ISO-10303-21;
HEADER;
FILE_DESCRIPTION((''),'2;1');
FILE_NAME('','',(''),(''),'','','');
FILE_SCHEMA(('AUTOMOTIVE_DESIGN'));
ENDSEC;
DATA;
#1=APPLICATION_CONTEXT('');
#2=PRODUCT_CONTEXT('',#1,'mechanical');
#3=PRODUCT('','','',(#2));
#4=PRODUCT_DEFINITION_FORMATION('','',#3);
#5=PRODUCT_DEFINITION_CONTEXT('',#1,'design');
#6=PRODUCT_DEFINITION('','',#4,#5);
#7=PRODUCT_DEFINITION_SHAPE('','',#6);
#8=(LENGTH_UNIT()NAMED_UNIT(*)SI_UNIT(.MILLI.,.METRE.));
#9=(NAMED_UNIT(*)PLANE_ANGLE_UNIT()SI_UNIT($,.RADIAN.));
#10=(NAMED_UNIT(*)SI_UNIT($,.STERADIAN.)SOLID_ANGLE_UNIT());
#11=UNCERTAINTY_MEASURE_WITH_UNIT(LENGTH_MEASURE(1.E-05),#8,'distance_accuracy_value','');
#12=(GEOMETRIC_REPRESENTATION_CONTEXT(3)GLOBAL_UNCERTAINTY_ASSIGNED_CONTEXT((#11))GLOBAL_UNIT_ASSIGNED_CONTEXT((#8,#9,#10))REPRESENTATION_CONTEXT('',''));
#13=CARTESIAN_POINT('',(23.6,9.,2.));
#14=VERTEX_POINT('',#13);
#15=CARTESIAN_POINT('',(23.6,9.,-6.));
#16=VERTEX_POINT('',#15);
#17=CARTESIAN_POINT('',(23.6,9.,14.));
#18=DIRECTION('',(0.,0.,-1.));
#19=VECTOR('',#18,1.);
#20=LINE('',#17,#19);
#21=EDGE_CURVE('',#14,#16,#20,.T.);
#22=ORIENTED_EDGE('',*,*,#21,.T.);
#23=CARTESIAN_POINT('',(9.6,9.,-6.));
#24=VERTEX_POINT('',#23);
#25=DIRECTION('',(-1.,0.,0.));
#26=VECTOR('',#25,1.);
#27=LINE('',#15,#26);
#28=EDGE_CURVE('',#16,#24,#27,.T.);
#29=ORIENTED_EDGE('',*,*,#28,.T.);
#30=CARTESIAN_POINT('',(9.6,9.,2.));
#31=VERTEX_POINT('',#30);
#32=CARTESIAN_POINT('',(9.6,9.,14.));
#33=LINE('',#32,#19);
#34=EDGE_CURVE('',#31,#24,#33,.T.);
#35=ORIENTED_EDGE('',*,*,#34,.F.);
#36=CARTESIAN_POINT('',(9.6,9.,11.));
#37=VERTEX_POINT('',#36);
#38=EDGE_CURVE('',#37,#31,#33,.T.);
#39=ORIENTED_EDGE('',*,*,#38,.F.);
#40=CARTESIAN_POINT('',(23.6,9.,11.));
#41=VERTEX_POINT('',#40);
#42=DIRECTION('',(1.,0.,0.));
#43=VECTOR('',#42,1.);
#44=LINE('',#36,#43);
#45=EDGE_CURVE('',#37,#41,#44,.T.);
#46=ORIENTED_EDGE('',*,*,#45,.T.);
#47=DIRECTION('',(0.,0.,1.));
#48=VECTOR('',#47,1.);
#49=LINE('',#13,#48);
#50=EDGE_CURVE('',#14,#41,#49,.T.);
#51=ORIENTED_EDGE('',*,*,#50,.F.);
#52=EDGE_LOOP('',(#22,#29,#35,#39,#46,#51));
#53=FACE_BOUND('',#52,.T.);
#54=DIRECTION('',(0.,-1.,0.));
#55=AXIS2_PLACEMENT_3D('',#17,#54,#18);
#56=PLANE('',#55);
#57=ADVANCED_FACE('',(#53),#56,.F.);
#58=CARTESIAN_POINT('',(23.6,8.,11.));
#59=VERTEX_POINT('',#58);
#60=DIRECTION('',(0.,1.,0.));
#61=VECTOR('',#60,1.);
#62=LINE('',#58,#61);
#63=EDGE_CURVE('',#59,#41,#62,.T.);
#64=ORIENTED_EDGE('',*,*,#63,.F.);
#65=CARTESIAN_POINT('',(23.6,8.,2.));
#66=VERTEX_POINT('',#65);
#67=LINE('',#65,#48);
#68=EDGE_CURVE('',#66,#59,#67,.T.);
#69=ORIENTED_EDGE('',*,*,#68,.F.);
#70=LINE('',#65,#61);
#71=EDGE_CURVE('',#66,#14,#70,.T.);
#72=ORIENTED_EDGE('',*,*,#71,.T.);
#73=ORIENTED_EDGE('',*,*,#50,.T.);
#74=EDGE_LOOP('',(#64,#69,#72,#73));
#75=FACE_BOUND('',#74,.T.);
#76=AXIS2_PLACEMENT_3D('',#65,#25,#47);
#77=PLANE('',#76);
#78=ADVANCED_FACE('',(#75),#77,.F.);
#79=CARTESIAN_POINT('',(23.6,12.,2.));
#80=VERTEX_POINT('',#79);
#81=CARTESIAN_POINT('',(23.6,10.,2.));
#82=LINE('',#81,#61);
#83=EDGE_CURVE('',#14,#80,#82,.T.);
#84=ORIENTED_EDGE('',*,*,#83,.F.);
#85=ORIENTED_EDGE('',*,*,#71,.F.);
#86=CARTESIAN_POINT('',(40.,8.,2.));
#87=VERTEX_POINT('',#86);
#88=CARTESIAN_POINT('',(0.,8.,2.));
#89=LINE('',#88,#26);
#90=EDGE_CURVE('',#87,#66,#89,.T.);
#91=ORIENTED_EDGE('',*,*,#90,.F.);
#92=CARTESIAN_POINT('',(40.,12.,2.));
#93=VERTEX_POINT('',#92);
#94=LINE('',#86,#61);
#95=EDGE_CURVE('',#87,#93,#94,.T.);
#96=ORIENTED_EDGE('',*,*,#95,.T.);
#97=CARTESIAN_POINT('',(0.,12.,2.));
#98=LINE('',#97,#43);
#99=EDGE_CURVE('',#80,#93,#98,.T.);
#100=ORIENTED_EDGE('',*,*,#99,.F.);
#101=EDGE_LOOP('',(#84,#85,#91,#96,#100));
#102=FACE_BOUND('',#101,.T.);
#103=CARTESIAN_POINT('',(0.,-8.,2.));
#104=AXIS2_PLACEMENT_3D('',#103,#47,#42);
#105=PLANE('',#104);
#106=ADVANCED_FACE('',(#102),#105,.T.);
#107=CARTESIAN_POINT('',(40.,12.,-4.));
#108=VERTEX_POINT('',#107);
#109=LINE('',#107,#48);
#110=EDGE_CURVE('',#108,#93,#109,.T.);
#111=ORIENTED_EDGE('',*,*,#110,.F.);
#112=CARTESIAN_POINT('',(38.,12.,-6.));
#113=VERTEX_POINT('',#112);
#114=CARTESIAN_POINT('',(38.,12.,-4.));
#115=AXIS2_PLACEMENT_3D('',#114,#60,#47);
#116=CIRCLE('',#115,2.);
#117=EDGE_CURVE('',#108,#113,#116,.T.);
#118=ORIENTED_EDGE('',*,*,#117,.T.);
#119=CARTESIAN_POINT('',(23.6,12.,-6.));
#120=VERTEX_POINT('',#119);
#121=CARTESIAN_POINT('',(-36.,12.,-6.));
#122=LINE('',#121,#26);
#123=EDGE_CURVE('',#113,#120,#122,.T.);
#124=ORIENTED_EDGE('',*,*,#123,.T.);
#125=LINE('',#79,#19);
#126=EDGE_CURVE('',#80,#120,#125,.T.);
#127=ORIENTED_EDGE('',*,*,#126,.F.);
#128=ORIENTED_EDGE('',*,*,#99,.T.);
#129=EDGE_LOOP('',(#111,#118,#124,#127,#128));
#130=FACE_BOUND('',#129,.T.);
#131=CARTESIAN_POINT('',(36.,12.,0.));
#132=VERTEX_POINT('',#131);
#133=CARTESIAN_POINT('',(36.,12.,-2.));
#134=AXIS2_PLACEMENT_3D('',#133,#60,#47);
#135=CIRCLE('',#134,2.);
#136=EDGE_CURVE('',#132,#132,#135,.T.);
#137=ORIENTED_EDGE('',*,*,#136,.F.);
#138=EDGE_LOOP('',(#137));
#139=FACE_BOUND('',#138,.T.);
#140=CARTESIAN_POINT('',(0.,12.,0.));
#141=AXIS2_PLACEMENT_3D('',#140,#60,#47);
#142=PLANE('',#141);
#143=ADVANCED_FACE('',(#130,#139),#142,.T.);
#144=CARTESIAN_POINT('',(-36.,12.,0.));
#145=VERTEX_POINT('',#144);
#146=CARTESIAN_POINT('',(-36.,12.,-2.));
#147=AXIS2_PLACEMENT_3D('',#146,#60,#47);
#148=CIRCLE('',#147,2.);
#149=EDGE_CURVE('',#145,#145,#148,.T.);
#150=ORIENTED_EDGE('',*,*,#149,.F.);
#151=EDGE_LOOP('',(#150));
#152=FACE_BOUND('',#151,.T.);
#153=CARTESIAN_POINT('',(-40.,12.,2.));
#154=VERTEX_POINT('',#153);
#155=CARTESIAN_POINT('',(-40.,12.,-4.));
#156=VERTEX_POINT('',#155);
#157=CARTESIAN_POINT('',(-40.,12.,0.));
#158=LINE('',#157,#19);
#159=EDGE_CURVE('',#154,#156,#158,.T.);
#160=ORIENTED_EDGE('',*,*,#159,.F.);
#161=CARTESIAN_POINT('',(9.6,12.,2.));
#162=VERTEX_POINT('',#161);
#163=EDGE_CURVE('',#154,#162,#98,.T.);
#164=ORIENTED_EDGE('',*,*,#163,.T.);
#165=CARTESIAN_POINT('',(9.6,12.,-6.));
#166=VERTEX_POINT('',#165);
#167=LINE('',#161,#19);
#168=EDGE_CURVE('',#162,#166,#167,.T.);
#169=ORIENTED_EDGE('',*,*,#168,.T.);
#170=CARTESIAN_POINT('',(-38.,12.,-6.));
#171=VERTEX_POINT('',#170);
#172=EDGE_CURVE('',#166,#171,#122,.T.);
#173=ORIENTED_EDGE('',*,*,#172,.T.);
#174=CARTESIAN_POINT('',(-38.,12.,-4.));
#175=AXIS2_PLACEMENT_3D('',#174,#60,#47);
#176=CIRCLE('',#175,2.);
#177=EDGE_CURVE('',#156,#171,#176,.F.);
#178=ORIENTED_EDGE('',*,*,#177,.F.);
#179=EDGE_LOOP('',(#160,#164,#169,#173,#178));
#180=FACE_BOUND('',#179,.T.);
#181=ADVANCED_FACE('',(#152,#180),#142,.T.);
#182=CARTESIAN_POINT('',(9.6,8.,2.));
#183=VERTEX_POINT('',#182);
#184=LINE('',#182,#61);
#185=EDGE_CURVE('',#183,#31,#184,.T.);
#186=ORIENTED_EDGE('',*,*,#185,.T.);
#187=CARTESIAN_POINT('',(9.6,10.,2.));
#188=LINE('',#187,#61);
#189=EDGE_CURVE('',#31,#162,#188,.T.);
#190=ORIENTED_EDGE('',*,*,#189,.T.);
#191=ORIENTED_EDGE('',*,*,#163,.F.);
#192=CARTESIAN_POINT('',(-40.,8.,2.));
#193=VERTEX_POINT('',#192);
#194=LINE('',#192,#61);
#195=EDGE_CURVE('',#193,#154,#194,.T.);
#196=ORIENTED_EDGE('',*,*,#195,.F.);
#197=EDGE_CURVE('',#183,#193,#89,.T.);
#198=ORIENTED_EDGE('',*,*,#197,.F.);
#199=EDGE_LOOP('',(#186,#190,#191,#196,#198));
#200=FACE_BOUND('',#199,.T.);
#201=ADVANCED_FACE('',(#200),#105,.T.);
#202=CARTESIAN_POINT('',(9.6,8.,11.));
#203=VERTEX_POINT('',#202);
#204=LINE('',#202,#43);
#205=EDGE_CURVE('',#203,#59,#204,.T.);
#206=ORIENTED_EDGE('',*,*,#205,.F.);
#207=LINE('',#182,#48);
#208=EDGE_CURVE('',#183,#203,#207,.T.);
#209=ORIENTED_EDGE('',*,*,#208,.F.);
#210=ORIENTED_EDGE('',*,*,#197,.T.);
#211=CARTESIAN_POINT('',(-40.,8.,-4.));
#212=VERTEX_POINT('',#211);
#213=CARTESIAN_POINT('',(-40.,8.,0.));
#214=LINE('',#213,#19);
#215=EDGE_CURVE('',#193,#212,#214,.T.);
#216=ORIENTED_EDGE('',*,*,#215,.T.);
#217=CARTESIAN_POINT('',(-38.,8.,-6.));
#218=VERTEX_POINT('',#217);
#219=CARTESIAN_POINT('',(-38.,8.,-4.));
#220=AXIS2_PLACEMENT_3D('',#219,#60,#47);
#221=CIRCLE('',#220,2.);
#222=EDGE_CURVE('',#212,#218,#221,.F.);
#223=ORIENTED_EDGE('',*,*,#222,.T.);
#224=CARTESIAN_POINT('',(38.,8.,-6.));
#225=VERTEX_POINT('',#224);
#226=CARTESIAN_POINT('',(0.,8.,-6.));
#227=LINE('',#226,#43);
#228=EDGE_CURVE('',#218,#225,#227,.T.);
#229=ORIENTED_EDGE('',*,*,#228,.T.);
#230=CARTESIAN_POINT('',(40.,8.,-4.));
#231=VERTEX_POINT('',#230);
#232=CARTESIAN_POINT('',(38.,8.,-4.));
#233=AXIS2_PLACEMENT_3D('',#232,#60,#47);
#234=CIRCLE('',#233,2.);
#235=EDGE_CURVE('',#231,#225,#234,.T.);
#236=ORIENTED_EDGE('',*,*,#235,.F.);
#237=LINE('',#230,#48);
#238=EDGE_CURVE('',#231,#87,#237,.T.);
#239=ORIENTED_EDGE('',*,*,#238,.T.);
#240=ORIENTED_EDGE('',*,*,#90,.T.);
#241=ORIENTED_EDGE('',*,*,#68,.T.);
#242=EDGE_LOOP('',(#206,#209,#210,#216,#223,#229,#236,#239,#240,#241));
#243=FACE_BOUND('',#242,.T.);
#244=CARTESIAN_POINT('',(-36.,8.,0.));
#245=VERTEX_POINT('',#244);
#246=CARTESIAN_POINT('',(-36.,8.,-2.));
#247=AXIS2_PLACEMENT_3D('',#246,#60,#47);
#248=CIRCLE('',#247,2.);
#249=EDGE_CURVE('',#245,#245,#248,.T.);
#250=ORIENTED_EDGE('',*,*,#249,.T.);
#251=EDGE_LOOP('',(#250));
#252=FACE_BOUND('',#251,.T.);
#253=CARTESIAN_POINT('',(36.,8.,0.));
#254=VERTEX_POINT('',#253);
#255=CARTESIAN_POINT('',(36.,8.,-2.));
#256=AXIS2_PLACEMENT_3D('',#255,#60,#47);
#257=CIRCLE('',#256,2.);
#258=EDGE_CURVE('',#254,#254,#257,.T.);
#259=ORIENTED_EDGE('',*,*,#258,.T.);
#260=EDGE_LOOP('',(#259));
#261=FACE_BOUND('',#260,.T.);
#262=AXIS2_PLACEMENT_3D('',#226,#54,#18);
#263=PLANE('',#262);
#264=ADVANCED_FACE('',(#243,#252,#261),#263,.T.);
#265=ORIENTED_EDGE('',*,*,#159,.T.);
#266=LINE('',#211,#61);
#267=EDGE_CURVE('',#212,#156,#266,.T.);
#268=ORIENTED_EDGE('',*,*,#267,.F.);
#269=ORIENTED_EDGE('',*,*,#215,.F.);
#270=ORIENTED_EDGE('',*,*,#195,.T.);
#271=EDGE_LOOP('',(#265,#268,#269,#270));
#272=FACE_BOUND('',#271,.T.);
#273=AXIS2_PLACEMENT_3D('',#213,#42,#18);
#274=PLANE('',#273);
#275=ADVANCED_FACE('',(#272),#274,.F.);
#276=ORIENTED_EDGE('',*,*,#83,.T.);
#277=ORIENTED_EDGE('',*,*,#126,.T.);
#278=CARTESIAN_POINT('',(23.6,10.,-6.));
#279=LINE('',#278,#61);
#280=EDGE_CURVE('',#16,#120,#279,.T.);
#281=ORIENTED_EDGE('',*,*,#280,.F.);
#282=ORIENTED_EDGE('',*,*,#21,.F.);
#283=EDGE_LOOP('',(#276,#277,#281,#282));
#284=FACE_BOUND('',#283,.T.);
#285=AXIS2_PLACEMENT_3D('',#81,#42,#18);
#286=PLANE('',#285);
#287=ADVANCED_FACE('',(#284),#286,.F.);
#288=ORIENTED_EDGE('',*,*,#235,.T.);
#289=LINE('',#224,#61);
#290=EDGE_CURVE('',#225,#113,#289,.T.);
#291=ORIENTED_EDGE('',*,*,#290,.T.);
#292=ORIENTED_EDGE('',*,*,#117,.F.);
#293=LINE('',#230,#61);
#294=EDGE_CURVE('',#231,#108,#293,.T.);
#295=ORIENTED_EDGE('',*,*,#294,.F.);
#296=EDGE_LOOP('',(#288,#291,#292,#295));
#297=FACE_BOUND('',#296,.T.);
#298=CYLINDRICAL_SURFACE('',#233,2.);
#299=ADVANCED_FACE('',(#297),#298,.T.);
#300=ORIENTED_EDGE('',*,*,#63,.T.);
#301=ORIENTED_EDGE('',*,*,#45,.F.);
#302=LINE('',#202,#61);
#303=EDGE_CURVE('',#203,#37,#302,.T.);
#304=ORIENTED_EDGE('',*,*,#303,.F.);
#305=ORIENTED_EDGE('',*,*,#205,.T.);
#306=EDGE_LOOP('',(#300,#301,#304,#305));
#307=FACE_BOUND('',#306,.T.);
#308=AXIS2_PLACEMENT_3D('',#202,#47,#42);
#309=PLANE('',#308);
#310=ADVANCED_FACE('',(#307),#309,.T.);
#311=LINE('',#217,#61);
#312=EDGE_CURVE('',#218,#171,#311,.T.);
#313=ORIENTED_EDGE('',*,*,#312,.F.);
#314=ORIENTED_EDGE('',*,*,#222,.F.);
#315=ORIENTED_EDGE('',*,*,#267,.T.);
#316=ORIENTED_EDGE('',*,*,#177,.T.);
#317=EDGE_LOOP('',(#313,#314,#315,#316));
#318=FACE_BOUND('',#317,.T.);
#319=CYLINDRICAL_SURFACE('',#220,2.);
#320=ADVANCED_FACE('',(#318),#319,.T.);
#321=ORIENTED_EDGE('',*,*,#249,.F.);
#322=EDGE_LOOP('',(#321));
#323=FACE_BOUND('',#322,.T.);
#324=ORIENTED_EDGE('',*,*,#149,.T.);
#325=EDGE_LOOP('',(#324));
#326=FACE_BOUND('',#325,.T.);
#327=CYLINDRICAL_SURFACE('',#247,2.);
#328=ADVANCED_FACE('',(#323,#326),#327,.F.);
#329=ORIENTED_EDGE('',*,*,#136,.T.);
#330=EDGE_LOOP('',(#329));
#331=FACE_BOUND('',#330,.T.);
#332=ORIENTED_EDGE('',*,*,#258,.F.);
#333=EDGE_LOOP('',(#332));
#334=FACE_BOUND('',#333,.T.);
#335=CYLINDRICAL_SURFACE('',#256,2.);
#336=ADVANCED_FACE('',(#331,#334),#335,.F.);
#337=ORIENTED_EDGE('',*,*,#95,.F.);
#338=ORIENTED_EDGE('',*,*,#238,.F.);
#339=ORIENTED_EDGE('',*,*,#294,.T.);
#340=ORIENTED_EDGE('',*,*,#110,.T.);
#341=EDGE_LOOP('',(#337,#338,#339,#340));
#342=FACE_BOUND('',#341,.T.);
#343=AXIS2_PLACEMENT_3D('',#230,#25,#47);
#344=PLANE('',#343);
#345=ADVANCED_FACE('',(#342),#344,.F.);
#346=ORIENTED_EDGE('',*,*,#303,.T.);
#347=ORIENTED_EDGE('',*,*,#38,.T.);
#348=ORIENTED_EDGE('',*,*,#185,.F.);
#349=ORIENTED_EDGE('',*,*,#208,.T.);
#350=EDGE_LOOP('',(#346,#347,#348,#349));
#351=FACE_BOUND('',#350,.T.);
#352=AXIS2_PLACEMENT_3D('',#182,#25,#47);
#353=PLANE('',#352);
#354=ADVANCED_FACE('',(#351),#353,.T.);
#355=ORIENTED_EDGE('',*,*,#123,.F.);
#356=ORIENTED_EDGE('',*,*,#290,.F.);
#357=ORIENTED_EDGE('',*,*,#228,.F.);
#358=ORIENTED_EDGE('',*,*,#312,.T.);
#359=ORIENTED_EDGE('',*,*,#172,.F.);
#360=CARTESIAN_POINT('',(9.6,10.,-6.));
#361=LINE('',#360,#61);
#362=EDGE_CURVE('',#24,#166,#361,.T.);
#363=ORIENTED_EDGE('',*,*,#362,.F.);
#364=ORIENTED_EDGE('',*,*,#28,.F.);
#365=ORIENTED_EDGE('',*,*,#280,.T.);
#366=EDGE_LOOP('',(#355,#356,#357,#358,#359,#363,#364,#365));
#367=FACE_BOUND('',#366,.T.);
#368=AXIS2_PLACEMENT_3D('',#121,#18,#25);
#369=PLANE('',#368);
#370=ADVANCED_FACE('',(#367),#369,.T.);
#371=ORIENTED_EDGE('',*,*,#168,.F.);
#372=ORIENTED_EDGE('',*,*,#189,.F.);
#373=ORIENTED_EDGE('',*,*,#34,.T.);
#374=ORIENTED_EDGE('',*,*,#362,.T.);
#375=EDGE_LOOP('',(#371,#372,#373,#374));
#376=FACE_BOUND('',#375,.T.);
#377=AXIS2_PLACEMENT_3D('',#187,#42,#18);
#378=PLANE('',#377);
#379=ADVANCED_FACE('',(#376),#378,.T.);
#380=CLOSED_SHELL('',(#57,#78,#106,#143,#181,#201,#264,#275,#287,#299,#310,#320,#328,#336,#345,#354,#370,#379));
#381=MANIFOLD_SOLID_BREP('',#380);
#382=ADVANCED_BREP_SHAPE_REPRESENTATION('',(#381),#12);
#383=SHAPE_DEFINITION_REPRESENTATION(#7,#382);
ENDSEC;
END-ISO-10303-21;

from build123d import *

# Parameters (mm, degrees)
EXTRUDE_1_DEPTH     = 12
CUT_EXTRUDE_1_DEPTH = 12
SKETCH_3_R          = 2
CUT_EXTRUDE_2_DEPTH = 12
CUT_EXTRUDE_3_DEPTH = 1
SKETCH_5_W          = 80
SKETCH_5_H          = 4
CUT_EXTRUDE_4_DEPTH = 20
EXTRUDE_2_DEPTH     = 1
SKETCH_7_W          = 0.2
SKETCH_7_H          = 8
CUT_EXTRUDE_5_DEPTH = 1
SKETCH_8_R          = 2
EXTRUDE_3_DEPTH     = 4
SKETCH_9_W          = 80
SKETCH_9_H          = 8
CUT_EXTRUDE_6_DEPTH = 10
SKETCH_10_W         = 14
SKETCH_10_H         = 8
CUT_EXTRUDE_7_DEPTH = 2
SKETCH_11_W         = 14
SKETCH_11_H         = 9
EXTRUDE_4_DEPTH     = 2
SKETCH_12_W         = 14
SKETCH_12_H         = 1
CUT_EXTRUDE_8_DEPTH = 20


with BuildPart() as part:
    # 草图1 → 凸台-拉伸1 (new body)
    with BuildSketch(Plane(origin=(0, 0, 0), x_dir=(1, 0, 0), z_dir=(0, 1, 0))):
        Polygon((-40, -6), (0, -6), (40, -6), (40, 0), (40, 6), (0, 6), (-36, 6), (-40, 6), align=None)
    extrude(amount=EXTRUDE_1_DEPTH)

    # 草图2 → 切除-拉伸1 (cut)
    with BuildSketch(Plane.XY.offset(6)):
        Polygon((-28, 0), (0, 0), (28, 0), (28, 4), (28, 8), (-28, 8), (-28, 4), align=None)
        Polygon((-40, 4), (-32, 4), (-32, 8), (-32, 12), (-40, 12), align=None)
        Polygon((32, 8), (32, 4), (40, 4), (40, 12), (32, 12), align=None)
    extrude(amount=-CUT_EXTRUDE_1_DEPTH, mode=Mode.SUBTRACT)

    # 草图3 → 切除-拉伸2 (cut)
    with BuildSketch(Plane(origin=(0, 12, 0), x_dir=(1, 0, 0), z_dir=(0, 1, 0))):
        with BuildLine():
            Line((-40, 6), (-40, 4))
            ThreePointArc((-40, 4), (-39.414213562, 5.414213562), (-38, 6))
            Line((-38, 6), (-40, 6))
        make_face()
        with Locations(Location((-36, 2, 0), (0, 0, 270))):
            Circle(SKETCH_3_R)
        with BuildLine():
            ThreePointArc((40, 4), (39.414213562, 5.414213562), (38, 6))
            Line((38, 6), (40, 6))
            Line((40, 6), (40, 4))
        make_face()
        with Locations(Location((36, 2, 0), (0, 0, 270))):
            Circle(SKETCH_3_R)
    extrude(amount=-CUT_EXTRUDE_2_DEPTH, mode=Mode.SUBTRACT)

    # 草图4 → 切除-拉伸3 (cut)
    with BuildSketch(Plane(origin=(0, 12, 0), x_dir=(1, 0, 0), z_dir=(0, 1, 0))):
        Polygon((-21.1, 0), (-21.1, 6), (-16.6, 6), (-12.1, 6), (12.08, 6), (16.6, 6), (21.12, 6), (21.12, -1), (21.12, -6), (16.6, -6), (12.08, -6), (12.08, -1), (12.08, 0), (-12.1, 0), (-12.1, -6), (-16.6, -6), (-21.1, -6), align=None)
    extrude(amount=-CUT_EXTRUDE_3_DEPTH, mode=Mode.SUBTRACT)

    # 草图5 → 切除-拉伸4 (cut)
    with BuildSketch(Plane(origin=(0, 12, 0), x_dir=(1, 0, 0), z_dir=(0, 1, 0))):
        with Locations((0, -4)):
            Rectangle(SKETCH_5_W, SKETCH_5_H)
    extrude(amount=-CUT_EXTRUDE_4_DEPTH, mode=Mode.SUBTRACT)

    # 草图6 → 凸台-拉伸2 (add)
    with BuildSketch(Plane(origin=(0, 12, 0), x_dir=(1, 0, 0), z_dir=(0, 1, 0))):
        Polygon((12.08, 0), (12.08, 6), (-21.1, 6), (-21.1, -2), (-12.1, -2), (-12.1, 0), align=None)
    extrude(amount=-EXTRUDE_2_DEPTH)

    # 草图7 → 切除-拉伸5 (cut)
    with BuildSketch(Plane(origin=(0, 12, 0), x_dir=(1, 0, 0), z_dir=(0, 1, 0))):
        with Locations((21.22, 2)):
            Rectangle(SKETCH_7_W, SKETCH_7_H)
        with Locations((11.98, 2)):
            Rectangle(SKETCH_7_W, SKETCH_7_H)
    extrude(amount=-CUT_EXTRUDE_5_DEPTH, mode=Mode.SUBTRACT)

    # 草图8 → 凸台-拉伸3 (add)
    # profile 1 of 2: a face of its own
    with BuildSketch(Plane(origin=(0, 12, 0), x_dir=(1, 0, 0), z_dir=(0, 1, 0))):
        with BuildLine():
            Line((-32, -2), (-40, -2))
            Line((-40, -2), (-40, 4))
            ThreePointArc((-40, 4), (-39.414213562, 5.414213562), (-38, 6))
            Line((-38, 6), (-32, 6))
            Line((-32, 6), (-32, -2))
        make_face()
        with Locations(Location((-36, 2, 0), (0, 0, 270))):
            Circle(SKETCH_8_R, mode=Mode.SUBTRACT)
    # profile 2 of 2: a face of its own
    with BuildSketch(Plane(origin=(0, 12, 0), x_dir=(1, 0, 0), z_dir=(0, 1, 0))):
        with BuildLine():
            Line((32, -2), (32, 6))
            Line((32, 6), (38, 6))
            ThreePointArc((38, 6), (39.414213562, 5.414213562), (40, 4))
            Line((40, 4), (40, -2))
            Line((40, -2), (32, -2))
        make_face()
        with Locations(Location((36, 2, 0), (0, 0, 270))):
            Circle(SKETCH_8_R, mode=Mode.SUBTRACT)
    extrude(amount=-EXTRUDE_3_DEPTH)

    # 草图9 → 切除-拉伸6 (cut)
    with BuildSketch(Plane.XY.offset(2)):
        with Locations((0, 4)):
            Rectangle(SKETCH_9_W, SKETCH_9_H)
    extrude(amount=-CUT_EXTRUDE_6_DEPTH, mode=Mode.SUBTRACT)

    # 草图10 → 切除-拉伸7 (cut)
    with BuildSketch(Plane(origin=(0, 12, 0), x_dir=(1, 0, 0), z_dir=(0, 1, 0))):
        with Locations((16.6, 2)):
            Rectangle(SKETCH_10_W, SKETCH_10_H)
    extrude(amount=-CUT_EXTRUDE_7_DEPTH, mode=Mode.SUBTRACT)

    # 草图11 → 凸台-拉伸4 (add)
    with BuildSketch(Plane(origin=(0, 10, 0), x_dir=(1, 0, 0), z_dir=(0, 1, 0))):
        with Locations((16.6, -6.5)):
            Rectangle(SKETCH_11_W, SKETCH_11_H)
    extrude(amount=-EXTRUDE_4_DEPTH)

    # 草图12 → 切除-拉伸8 (cut)
    with BuildSketch(Plane(origin=(0, 0, -6), x_dir=(-1, 0, 0), z_dir=(0, 0, -1))):
        with Locations((-16.6, 9.5)):
            Rectangle(SKETCH_12_W, SKETCH_12_H)
    extrude(amount=-CUT_EXTRUDE_8_DEPTH, mode=Mode.SUBTRACT)


solid = part.part
